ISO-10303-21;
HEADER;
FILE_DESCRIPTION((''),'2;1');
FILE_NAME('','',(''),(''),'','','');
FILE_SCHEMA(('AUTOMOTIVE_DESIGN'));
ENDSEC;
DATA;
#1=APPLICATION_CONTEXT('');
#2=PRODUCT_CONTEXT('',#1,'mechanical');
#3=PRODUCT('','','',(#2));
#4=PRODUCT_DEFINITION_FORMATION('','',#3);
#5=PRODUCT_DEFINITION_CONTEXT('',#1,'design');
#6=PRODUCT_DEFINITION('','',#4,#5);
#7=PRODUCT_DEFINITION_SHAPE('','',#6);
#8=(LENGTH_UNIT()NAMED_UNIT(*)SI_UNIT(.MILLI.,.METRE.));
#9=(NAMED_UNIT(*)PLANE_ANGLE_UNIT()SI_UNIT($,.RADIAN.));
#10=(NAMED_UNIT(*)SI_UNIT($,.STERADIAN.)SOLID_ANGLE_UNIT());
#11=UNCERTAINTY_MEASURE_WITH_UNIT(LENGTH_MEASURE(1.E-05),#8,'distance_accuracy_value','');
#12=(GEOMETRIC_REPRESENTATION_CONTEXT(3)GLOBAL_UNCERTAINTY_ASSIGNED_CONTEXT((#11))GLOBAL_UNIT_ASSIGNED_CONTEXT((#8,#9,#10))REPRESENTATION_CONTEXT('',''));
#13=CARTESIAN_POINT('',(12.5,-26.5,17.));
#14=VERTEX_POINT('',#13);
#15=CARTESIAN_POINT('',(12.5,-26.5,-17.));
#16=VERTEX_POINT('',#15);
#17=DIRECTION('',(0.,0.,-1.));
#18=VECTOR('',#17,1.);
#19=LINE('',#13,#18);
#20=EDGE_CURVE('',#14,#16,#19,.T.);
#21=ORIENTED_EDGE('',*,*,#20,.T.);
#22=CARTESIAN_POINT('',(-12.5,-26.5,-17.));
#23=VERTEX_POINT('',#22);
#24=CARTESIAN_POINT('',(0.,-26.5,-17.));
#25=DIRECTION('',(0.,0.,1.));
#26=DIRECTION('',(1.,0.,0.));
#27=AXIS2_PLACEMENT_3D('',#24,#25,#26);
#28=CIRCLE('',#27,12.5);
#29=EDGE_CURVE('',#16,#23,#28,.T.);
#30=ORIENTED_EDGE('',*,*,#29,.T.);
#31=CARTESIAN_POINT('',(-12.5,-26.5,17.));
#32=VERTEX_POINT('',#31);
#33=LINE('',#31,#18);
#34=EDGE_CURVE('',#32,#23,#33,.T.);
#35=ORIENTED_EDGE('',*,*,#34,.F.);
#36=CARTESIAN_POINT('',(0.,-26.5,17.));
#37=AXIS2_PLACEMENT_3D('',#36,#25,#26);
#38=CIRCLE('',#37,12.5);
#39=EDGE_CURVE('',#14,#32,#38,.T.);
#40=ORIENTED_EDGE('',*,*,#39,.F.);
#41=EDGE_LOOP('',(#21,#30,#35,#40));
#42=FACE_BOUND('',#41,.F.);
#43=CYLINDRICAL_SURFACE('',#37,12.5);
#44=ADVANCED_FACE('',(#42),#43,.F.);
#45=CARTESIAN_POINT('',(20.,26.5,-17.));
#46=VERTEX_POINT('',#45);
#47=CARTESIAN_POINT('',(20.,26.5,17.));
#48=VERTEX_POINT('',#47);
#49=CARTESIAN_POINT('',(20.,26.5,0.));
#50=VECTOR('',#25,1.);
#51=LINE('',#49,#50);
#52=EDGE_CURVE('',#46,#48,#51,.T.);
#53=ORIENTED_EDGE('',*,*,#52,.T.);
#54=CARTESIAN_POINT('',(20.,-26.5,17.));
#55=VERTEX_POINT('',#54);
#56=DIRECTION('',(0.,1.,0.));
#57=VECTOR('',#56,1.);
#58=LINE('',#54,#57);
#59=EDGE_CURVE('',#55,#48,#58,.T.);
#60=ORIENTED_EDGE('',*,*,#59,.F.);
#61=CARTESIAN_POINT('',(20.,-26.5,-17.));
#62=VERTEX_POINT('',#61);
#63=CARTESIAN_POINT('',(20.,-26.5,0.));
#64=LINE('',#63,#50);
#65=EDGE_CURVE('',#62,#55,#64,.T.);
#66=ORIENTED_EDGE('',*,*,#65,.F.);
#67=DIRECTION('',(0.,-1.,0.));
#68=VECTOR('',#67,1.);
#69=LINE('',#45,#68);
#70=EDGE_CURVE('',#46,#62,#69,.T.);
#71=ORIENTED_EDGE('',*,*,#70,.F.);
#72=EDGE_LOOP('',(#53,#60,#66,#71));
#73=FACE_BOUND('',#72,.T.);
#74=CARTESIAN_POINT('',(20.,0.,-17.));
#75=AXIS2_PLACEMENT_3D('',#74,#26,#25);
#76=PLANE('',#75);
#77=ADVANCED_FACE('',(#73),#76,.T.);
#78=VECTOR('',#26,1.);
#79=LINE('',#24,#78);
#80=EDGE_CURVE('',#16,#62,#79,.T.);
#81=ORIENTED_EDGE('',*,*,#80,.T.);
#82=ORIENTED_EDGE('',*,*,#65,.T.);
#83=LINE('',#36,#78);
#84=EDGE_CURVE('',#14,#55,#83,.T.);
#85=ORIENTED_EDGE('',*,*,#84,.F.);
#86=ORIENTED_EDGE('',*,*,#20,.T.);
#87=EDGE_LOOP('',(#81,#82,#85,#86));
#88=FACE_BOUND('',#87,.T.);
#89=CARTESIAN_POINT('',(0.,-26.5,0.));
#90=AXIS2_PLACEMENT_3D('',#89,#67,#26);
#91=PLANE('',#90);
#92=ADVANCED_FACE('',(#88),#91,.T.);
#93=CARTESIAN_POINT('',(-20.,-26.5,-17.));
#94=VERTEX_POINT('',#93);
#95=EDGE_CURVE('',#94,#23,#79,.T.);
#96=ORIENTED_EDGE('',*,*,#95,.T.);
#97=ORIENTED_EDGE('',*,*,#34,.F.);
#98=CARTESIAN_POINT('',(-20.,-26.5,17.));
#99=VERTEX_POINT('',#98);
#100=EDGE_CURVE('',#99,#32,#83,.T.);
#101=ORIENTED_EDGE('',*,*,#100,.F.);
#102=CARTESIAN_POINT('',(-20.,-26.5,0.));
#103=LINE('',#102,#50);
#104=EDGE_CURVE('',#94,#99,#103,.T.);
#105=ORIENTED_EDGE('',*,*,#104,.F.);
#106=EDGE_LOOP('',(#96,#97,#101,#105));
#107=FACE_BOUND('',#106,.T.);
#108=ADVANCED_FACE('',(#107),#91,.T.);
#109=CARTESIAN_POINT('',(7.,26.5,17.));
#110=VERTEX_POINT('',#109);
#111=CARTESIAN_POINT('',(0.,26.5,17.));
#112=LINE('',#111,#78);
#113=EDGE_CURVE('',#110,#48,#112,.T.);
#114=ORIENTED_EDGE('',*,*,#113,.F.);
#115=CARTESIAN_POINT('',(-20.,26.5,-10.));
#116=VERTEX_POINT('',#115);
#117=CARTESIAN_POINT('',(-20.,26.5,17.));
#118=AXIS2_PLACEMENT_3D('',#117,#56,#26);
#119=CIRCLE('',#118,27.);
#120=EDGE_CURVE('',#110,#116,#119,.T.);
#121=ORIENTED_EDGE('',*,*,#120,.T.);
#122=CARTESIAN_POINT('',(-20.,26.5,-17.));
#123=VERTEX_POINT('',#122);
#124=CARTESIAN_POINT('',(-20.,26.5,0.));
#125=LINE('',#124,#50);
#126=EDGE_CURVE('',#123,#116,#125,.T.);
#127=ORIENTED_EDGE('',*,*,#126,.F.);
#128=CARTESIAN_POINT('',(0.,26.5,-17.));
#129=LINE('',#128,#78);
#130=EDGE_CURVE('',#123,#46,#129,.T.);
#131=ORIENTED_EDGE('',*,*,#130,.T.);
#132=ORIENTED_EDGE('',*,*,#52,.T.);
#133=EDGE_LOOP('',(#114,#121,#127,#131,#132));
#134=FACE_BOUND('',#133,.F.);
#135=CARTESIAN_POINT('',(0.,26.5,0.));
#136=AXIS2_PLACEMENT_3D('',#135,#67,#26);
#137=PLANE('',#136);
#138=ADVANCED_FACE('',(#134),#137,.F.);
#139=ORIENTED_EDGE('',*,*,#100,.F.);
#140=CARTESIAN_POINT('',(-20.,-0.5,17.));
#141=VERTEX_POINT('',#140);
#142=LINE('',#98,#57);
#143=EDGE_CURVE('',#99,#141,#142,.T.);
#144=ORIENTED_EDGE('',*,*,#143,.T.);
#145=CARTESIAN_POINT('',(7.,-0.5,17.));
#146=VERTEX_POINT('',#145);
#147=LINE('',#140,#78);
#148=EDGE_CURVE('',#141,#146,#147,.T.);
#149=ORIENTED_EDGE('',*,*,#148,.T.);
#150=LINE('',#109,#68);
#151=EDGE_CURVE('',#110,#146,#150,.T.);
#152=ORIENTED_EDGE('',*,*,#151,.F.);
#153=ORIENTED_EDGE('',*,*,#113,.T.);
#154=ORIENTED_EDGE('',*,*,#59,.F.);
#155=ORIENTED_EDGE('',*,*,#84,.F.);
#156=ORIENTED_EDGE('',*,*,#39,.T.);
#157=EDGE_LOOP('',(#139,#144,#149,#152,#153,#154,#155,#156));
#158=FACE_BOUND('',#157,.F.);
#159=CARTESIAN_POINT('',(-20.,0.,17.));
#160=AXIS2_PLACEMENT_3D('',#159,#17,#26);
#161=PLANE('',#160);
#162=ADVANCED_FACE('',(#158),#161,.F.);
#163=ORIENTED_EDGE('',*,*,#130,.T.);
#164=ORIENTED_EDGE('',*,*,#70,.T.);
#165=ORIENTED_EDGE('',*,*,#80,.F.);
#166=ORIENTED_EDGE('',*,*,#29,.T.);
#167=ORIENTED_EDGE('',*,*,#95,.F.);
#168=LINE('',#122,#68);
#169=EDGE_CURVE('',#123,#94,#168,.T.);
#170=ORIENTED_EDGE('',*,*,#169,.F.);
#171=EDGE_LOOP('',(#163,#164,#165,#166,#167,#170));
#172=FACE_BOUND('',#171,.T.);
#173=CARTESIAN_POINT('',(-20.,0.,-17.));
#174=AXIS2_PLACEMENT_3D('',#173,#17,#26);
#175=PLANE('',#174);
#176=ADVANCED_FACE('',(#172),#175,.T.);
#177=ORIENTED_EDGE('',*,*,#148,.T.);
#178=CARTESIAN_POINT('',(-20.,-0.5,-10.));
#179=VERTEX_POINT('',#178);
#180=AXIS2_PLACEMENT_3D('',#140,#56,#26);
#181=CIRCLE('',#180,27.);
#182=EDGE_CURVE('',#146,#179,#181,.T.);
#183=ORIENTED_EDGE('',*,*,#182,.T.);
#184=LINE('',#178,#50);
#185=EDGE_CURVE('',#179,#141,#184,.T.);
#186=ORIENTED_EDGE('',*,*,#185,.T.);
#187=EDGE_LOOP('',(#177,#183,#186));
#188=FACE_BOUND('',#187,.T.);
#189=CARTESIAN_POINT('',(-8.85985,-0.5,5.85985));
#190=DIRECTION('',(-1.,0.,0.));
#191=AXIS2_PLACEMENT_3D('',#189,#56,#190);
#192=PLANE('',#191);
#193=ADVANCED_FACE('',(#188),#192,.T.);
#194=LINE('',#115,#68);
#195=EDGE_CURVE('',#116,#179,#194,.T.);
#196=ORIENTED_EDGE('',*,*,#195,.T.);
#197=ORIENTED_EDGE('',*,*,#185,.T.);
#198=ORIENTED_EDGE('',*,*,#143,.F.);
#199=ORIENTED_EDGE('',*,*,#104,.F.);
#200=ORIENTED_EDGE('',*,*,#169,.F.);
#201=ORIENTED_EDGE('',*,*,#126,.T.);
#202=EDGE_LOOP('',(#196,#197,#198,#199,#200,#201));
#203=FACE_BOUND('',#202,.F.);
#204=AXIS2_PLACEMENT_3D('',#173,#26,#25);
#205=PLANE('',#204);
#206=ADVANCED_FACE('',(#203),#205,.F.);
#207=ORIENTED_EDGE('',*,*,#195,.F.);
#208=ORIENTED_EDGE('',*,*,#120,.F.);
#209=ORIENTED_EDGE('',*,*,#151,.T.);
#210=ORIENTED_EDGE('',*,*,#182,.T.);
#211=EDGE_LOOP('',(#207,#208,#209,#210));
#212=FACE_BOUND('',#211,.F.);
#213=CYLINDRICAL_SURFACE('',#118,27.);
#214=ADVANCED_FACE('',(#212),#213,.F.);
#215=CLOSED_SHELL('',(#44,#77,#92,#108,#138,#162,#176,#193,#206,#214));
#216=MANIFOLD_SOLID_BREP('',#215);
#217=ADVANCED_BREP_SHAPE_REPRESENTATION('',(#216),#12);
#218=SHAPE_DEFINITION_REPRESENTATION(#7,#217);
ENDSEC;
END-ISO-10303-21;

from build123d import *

# Parameters (mm, degrees)
F0_W     = 40
F0_H     = 34
F1_DEPTH = 26.5
F3_DEPTH = 34.001
F5_DEPTH = 27


with BuildPart() as f1:
    # F0 (on Front) → F1 (new body, symmetric)
    with BuildSketch(Plane.XZ):
        Rectangle(F0_W, F0_H)
    extrude(amount=F1_DEPTH, both=True)

    # F2 (on face) → F3 (cut, through all)
    with BuildSketch(Plane.XY.offset(17)):
        with BuildLine():
            Line((-12.5, -26.5), (12.5, -26.5))
            ThreePointArc((12.5, -26.5), (0, -14), (-12.5, -26.5))
        make_face()
    extrude(amount=-F3_DEPTH, mode=Mode.SUBTRACT)

    # F4 (on face) → F5 (cut)
    with BuildSketch(Plane(origin=(0, 26.5, 0), x_dir=(-1, 0, 0), z_dir=(0, 1, 0))):
        with BuildLine():
            Line((20, 17), (-7, 17))
            ThreePointArc((-7, 17), (0.908116908, -2.091883092), (20, -10))
            Line((20, -10), (20, 17))
        make_face()
    extrude(amount=-F5_DEPTH, mode=Mode.SUBTRACT)


solid = f1.part
